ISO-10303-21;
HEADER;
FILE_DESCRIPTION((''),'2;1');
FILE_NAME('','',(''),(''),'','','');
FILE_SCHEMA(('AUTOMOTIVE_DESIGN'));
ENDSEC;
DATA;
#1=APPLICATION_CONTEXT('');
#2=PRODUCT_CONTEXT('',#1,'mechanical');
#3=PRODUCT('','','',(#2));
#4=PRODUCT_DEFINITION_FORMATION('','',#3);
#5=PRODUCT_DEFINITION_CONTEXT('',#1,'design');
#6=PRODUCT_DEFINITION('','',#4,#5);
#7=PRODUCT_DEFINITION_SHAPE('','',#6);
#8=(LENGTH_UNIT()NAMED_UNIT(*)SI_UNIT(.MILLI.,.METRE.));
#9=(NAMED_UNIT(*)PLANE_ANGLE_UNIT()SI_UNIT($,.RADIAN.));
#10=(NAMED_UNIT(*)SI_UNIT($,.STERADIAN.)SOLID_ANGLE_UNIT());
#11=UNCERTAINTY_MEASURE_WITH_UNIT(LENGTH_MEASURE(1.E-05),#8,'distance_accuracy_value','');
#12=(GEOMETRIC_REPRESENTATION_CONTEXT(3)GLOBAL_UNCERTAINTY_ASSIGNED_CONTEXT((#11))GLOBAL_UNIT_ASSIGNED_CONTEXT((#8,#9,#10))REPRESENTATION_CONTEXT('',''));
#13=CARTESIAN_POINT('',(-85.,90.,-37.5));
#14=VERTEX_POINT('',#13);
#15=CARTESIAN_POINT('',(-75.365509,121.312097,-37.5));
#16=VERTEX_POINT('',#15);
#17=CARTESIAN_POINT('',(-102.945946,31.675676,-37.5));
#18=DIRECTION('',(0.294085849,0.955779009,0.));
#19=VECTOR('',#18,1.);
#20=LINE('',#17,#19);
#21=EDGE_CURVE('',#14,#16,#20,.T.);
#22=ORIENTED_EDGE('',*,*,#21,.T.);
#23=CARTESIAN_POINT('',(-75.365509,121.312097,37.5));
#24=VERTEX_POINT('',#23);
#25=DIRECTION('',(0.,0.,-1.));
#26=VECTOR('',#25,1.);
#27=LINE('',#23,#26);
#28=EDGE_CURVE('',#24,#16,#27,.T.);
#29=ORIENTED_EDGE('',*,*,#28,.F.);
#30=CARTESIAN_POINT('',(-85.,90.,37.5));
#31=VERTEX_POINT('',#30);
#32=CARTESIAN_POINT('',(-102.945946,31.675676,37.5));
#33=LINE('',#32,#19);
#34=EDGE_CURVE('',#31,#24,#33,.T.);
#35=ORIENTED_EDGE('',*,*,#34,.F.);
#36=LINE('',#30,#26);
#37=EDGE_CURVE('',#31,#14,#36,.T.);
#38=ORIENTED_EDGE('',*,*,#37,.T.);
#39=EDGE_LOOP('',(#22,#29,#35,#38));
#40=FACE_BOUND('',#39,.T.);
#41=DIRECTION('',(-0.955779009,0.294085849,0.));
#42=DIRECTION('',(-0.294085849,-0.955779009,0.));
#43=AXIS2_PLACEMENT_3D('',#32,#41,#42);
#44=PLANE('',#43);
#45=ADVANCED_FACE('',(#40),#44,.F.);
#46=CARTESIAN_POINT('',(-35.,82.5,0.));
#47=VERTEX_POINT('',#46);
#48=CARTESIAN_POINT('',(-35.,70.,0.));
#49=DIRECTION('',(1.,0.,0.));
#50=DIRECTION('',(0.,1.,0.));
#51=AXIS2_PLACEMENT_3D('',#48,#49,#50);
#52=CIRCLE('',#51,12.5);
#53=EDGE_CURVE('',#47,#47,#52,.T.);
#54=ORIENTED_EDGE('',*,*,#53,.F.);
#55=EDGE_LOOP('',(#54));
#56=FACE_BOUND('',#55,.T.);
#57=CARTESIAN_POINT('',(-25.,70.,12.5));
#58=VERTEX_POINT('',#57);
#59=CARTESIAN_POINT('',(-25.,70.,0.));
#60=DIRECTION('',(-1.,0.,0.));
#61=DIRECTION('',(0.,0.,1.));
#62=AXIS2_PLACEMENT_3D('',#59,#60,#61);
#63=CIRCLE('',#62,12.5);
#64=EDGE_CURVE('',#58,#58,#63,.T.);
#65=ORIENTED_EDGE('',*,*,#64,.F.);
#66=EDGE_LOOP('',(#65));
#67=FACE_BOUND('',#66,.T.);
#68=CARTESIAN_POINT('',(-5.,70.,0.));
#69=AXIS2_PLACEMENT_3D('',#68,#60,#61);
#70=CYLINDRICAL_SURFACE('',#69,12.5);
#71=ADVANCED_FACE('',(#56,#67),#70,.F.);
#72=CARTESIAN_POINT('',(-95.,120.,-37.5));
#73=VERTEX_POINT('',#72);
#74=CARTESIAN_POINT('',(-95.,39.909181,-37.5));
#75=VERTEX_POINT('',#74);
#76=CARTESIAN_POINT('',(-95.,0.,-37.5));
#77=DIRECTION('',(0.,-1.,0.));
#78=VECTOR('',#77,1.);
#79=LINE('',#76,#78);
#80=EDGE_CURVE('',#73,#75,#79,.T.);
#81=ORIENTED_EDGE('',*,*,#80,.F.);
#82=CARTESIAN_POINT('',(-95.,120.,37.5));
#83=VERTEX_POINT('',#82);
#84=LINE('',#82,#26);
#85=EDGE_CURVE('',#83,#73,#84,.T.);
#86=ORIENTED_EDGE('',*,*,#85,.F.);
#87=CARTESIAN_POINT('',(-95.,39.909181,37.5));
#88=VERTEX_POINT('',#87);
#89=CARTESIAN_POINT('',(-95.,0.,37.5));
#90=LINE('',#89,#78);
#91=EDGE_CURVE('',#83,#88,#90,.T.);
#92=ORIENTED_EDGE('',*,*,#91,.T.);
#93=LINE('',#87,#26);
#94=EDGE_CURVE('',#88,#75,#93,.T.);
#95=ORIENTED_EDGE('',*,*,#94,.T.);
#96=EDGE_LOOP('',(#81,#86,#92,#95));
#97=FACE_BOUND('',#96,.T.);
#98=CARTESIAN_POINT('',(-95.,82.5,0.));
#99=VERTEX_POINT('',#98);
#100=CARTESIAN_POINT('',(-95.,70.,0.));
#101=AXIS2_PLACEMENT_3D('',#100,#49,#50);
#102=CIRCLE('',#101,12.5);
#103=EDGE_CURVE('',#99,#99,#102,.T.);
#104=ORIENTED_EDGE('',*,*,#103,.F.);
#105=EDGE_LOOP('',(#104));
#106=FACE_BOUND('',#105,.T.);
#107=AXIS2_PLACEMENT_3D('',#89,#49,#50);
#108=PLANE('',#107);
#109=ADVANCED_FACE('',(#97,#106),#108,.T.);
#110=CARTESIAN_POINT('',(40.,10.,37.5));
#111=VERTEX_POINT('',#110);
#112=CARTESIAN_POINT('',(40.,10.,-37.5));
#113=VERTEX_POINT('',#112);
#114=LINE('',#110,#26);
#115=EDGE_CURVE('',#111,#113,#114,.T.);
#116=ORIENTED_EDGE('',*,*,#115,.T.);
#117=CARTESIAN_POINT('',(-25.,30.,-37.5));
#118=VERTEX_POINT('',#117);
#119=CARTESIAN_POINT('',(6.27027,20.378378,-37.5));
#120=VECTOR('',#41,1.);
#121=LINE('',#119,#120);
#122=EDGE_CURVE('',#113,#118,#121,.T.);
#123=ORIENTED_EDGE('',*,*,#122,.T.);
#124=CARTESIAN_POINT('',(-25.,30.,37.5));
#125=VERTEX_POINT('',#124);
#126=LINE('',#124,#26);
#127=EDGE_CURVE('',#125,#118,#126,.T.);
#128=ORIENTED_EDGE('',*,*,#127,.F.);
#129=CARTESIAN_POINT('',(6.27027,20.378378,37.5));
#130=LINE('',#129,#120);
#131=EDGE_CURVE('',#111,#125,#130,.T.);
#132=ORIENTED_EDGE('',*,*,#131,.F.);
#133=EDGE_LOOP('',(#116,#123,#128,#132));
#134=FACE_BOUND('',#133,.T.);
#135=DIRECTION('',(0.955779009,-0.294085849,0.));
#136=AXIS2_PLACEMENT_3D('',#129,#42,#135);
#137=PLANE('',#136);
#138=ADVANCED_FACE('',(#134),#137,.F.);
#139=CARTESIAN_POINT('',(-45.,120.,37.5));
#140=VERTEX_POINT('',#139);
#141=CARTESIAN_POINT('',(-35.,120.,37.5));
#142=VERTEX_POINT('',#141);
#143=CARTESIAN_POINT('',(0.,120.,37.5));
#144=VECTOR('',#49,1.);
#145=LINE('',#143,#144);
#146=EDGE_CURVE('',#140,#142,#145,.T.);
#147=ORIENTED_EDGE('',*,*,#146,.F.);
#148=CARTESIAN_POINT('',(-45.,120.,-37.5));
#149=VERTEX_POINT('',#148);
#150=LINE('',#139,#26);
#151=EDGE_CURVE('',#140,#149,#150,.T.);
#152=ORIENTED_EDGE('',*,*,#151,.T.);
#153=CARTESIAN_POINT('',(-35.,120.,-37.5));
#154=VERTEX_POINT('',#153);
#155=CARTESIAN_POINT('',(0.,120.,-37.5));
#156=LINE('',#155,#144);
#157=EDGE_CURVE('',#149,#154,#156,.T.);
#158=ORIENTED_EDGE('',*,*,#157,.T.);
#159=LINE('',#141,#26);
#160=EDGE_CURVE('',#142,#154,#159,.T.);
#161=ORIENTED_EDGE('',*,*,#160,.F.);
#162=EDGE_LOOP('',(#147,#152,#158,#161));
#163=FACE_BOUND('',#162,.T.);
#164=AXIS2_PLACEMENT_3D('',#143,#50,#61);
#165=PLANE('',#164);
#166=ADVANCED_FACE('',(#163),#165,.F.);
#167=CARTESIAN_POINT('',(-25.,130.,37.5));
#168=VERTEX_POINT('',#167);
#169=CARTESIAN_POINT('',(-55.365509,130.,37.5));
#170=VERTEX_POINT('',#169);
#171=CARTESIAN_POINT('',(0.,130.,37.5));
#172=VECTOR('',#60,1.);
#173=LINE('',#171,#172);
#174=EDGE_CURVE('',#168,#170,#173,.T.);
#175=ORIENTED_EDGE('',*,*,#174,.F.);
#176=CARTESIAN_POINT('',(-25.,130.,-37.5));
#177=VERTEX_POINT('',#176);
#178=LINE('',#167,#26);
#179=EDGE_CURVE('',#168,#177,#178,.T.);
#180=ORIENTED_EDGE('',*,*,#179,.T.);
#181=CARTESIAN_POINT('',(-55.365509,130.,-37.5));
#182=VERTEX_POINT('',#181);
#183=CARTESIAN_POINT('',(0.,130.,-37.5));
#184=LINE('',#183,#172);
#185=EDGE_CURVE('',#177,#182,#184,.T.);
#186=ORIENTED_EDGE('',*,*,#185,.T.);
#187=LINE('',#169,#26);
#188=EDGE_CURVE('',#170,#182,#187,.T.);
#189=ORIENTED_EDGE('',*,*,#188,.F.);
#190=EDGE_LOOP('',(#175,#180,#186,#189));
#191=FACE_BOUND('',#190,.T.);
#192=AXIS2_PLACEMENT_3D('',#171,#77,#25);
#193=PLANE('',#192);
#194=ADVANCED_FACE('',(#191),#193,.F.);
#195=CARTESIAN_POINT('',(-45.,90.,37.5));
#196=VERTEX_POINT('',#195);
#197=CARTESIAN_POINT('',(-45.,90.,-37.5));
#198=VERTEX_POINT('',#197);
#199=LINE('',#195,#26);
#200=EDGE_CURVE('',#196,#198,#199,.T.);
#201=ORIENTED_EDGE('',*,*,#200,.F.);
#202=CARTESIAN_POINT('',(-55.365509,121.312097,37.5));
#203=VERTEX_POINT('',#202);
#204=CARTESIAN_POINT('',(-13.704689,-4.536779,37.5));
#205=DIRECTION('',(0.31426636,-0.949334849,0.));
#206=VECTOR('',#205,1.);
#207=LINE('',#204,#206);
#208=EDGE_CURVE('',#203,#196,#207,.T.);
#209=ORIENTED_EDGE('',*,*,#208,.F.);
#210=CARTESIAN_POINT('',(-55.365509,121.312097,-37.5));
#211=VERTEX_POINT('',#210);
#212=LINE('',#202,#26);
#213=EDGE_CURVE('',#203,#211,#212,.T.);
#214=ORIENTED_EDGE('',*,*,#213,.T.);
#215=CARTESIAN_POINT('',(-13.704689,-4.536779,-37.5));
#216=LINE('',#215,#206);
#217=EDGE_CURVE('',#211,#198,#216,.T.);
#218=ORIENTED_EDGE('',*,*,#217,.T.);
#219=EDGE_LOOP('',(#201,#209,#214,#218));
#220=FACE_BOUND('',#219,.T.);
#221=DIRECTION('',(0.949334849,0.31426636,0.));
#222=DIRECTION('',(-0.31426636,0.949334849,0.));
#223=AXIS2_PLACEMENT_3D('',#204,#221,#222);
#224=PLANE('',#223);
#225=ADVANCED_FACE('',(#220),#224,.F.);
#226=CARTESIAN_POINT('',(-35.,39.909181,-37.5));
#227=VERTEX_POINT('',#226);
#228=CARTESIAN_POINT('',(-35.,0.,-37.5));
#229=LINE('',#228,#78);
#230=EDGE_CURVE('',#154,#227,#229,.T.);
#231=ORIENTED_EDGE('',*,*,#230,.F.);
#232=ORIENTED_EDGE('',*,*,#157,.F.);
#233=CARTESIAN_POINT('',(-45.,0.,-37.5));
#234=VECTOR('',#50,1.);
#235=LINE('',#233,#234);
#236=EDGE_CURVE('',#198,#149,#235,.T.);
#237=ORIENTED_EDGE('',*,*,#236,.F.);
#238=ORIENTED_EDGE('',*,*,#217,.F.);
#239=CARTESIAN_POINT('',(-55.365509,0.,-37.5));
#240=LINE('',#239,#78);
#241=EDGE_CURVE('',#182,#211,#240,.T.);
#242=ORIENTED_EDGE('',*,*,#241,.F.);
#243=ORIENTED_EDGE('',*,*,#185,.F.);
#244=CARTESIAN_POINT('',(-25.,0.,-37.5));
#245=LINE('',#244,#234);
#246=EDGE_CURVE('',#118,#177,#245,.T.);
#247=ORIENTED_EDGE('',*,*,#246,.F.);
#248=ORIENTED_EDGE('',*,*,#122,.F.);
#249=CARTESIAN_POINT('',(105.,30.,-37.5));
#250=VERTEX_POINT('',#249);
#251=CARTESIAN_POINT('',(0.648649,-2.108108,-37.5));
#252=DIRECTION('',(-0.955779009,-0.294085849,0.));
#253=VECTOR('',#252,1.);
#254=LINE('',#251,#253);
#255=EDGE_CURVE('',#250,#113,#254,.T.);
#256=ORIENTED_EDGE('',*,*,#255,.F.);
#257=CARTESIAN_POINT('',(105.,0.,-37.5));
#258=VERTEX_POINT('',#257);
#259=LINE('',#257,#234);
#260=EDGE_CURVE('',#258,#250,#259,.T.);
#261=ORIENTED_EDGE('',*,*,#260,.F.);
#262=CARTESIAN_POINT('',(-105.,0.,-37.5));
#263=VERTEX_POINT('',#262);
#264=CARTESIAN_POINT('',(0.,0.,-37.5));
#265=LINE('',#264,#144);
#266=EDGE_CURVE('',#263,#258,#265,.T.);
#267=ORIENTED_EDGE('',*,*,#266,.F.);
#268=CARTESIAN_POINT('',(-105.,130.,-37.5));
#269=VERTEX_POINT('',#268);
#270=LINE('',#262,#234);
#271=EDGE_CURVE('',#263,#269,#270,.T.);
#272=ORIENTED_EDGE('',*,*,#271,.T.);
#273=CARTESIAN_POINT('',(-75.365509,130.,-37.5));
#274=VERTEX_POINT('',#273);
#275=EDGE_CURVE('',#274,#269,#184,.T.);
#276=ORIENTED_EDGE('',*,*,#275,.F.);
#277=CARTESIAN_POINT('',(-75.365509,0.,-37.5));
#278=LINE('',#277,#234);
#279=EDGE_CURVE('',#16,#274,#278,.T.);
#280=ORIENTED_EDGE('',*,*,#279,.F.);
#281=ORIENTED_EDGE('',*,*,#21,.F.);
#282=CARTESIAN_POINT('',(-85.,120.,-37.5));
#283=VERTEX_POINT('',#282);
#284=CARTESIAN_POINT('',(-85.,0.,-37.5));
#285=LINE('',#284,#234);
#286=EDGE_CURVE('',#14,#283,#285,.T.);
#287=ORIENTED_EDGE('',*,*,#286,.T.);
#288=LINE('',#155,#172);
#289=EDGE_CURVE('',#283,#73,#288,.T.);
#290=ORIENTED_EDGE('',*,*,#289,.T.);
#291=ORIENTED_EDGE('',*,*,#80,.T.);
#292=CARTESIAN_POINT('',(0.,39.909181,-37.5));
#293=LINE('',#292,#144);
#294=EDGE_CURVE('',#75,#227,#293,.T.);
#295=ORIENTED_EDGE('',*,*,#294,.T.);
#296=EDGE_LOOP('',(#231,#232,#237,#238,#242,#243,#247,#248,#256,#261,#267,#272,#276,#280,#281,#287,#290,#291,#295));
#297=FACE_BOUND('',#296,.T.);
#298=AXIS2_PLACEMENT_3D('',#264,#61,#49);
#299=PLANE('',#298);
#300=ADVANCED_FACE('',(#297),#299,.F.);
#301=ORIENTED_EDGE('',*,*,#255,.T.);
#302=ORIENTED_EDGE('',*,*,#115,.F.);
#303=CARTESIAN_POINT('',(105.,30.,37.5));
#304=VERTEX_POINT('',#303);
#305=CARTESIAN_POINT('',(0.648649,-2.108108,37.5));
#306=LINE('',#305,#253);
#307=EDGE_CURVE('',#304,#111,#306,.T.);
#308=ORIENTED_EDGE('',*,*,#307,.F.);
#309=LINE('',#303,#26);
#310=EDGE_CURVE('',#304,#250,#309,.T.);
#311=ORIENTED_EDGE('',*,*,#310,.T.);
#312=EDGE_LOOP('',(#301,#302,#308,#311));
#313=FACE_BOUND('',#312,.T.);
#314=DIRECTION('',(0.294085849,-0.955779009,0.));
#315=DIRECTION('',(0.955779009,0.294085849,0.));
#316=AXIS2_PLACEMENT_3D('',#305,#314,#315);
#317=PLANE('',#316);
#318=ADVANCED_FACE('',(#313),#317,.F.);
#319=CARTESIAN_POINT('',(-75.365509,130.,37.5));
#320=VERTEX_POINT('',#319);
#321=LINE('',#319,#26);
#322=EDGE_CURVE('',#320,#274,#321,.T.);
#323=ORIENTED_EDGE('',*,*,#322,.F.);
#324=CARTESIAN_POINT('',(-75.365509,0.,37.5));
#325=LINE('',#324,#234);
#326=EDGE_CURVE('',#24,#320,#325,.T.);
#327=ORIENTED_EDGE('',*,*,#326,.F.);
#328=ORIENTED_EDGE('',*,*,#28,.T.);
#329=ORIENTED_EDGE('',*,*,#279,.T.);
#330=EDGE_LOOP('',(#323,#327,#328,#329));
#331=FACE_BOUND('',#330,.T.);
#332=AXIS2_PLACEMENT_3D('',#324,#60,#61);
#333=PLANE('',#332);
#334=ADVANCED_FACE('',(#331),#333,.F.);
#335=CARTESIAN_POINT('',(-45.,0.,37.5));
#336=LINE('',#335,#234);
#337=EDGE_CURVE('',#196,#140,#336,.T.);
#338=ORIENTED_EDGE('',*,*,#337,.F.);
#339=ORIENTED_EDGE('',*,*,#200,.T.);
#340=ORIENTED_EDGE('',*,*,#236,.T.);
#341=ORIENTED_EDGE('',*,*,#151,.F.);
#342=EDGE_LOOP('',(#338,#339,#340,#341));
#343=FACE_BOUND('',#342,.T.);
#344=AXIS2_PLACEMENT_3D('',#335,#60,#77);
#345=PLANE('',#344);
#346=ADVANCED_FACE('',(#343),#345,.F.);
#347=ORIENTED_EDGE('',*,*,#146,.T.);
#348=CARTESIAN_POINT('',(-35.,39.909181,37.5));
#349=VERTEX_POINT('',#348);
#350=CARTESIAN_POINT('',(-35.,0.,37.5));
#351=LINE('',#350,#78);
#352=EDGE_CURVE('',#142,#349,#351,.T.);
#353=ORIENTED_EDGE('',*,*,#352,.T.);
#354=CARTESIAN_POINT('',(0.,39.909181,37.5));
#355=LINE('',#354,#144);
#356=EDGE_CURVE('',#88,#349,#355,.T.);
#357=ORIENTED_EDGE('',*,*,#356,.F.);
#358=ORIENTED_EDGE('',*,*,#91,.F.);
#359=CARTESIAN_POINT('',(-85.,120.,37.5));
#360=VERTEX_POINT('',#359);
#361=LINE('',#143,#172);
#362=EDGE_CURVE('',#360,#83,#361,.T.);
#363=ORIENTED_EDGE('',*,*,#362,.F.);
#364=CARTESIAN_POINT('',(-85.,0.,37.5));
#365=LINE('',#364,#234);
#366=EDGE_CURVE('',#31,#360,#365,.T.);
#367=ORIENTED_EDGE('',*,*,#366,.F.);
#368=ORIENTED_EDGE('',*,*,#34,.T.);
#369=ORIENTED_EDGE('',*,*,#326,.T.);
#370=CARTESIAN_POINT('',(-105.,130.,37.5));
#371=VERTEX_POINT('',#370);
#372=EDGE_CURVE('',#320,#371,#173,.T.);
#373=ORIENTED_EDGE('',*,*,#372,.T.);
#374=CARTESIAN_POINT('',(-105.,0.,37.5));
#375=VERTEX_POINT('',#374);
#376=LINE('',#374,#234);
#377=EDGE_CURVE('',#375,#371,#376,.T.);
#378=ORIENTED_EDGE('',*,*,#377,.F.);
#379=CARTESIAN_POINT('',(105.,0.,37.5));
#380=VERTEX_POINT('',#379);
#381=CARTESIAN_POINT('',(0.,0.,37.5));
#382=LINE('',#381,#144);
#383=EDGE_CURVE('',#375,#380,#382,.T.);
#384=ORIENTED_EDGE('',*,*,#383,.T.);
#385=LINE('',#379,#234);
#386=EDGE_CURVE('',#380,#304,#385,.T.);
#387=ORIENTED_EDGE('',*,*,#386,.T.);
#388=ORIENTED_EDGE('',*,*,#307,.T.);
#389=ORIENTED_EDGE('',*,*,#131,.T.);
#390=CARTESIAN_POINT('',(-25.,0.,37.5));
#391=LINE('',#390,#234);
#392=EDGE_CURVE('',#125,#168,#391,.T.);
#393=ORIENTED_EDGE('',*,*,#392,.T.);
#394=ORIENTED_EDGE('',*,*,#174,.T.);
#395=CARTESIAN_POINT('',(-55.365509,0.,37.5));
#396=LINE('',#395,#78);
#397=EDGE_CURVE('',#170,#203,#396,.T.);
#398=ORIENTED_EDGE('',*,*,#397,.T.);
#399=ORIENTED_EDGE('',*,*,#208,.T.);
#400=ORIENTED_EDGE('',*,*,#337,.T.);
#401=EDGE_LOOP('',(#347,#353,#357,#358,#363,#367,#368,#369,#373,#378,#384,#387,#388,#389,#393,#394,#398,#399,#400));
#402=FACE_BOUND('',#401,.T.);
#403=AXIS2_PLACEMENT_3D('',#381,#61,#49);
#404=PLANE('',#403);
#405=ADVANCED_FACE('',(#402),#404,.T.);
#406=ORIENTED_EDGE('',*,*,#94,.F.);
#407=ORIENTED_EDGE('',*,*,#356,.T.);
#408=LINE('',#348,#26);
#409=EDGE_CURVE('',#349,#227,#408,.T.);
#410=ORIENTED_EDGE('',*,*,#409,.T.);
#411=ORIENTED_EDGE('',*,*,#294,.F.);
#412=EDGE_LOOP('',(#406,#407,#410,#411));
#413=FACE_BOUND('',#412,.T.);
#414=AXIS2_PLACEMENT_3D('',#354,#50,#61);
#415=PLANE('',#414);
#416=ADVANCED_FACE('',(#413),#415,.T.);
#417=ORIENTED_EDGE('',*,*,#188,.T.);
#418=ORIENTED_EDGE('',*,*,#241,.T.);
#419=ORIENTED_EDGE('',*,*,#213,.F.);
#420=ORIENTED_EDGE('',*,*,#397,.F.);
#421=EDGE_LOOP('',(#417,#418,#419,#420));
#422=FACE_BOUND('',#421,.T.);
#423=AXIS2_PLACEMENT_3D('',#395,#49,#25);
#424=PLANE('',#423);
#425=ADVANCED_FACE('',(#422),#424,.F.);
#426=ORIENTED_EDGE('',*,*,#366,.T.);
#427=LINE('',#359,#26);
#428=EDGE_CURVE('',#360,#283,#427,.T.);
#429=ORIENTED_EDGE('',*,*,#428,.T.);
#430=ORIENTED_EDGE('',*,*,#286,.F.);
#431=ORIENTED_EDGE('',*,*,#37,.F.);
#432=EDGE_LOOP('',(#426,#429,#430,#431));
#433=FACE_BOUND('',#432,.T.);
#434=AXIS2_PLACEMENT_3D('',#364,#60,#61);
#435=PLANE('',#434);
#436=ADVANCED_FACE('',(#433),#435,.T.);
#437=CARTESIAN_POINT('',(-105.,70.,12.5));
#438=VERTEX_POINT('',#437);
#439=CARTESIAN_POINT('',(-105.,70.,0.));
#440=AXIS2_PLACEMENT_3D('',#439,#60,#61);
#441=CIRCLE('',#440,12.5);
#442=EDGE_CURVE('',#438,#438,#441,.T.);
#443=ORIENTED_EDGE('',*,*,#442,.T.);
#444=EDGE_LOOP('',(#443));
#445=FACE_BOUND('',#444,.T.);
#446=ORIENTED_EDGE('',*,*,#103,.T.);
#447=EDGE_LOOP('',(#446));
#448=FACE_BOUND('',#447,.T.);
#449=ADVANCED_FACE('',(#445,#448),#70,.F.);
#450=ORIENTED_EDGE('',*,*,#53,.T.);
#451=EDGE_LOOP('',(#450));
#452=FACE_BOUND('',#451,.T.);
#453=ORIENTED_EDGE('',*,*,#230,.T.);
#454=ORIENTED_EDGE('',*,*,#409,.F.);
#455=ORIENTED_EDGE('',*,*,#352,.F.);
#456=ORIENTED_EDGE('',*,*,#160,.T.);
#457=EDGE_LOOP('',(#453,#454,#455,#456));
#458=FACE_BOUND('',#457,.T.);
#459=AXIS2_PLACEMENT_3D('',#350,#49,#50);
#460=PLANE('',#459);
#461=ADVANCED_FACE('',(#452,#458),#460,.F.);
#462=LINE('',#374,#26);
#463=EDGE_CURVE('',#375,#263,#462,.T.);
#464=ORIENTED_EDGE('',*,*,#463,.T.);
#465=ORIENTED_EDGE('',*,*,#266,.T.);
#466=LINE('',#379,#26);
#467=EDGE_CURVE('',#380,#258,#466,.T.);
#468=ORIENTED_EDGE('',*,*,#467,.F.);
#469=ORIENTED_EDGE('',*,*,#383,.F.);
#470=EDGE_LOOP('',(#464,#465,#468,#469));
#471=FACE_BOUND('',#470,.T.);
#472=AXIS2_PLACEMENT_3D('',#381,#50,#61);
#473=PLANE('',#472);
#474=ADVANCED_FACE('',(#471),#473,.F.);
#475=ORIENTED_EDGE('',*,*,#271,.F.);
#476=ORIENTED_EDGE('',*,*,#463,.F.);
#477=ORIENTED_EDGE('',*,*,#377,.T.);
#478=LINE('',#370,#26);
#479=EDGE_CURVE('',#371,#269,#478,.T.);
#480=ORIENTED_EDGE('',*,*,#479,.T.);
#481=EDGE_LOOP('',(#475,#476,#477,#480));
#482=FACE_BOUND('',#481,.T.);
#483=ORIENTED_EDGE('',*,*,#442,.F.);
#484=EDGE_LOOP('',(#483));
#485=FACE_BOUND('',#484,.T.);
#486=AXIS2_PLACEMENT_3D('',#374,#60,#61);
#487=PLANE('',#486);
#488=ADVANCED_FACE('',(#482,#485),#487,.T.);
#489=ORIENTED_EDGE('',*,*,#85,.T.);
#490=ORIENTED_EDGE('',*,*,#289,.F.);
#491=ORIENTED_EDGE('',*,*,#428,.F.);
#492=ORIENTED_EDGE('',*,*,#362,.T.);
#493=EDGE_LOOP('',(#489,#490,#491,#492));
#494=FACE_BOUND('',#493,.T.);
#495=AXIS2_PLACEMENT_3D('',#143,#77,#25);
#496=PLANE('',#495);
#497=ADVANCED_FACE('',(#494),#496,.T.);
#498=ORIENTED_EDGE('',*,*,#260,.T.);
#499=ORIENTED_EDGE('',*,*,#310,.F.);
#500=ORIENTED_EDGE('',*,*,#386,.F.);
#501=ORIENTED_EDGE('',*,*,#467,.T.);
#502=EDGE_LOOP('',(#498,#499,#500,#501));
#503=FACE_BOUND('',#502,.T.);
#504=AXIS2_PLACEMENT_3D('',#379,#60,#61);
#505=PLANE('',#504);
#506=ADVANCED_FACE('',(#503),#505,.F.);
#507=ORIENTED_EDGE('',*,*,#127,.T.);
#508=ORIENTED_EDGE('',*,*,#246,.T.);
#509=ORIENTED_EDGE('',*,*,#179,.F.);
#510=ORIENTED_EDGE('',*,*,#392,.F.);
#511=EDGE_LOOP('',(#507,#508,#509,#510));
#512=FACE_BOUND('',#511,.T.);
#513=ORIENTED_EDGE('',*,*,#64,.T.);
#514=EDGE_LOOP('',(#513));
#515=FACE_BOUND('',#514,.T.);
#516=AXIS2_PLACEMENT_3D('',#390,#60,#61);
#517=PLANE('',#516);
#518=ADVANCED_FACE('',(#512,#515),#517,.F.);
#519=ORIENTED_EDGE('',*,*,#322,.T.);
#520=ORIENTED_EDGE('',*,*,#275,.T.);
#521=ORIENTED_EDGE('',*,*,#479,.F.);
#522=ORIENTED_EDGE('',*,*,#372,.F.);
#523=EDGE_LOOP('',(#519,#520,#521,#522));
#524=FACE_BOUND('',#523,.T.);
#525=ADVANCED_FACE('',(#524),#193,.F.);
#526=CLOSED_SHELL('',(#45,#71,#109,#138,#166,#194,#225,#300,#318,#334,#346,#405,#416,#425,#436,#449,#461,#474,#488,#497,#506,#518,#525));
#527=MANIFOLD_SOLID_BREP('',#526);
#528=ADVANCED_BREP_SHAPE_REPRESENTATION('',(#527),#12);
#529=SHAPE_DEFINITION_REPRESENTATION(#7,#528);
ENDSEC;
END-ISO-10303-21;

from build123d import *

# Parameters (mm, degrees)
BOSS_EXTRUDE1_DEPTH = 37.5
SKETCH2_R           = 12.5
CUT_EXTRUDE1_DEPTH  = 100


with BuildPart() as part:
    # Sketch1 → Boss-Extrude1 (new body, symmetric)
    with BuildSketch(Plane.XY):
        Polygon((-95, 39.909181495), (-35, 39.909181495), (-35, 120), (-45, 120), (-45, 90), (-55.365508708, 121.312096701), (-55.365508708, 130), (-25, 130), (-25, 30), (40, 10), (105, 30), (105, 0), (-105, 0), (-105, 130), (-75.365508708, 130), (-75.365508708, 121.312096701), (-85, 90), (-85, 120), (-95, 120), align=None)
    extrude(amount=BOSS_EXTRUDE1_DEPTH, both=True)

    # Sketch2 → Cut-Extrude1 (cut)
    with BuildSketch(Plane.ZY.offset(105)):
        with Locations((0, 70)):
            Circle(SKETCH2_R)
    extrude(amount=-CUT_EXTRUDE1_DEPTH, mode=Mode.SUBTRACT)


solid = part.part
